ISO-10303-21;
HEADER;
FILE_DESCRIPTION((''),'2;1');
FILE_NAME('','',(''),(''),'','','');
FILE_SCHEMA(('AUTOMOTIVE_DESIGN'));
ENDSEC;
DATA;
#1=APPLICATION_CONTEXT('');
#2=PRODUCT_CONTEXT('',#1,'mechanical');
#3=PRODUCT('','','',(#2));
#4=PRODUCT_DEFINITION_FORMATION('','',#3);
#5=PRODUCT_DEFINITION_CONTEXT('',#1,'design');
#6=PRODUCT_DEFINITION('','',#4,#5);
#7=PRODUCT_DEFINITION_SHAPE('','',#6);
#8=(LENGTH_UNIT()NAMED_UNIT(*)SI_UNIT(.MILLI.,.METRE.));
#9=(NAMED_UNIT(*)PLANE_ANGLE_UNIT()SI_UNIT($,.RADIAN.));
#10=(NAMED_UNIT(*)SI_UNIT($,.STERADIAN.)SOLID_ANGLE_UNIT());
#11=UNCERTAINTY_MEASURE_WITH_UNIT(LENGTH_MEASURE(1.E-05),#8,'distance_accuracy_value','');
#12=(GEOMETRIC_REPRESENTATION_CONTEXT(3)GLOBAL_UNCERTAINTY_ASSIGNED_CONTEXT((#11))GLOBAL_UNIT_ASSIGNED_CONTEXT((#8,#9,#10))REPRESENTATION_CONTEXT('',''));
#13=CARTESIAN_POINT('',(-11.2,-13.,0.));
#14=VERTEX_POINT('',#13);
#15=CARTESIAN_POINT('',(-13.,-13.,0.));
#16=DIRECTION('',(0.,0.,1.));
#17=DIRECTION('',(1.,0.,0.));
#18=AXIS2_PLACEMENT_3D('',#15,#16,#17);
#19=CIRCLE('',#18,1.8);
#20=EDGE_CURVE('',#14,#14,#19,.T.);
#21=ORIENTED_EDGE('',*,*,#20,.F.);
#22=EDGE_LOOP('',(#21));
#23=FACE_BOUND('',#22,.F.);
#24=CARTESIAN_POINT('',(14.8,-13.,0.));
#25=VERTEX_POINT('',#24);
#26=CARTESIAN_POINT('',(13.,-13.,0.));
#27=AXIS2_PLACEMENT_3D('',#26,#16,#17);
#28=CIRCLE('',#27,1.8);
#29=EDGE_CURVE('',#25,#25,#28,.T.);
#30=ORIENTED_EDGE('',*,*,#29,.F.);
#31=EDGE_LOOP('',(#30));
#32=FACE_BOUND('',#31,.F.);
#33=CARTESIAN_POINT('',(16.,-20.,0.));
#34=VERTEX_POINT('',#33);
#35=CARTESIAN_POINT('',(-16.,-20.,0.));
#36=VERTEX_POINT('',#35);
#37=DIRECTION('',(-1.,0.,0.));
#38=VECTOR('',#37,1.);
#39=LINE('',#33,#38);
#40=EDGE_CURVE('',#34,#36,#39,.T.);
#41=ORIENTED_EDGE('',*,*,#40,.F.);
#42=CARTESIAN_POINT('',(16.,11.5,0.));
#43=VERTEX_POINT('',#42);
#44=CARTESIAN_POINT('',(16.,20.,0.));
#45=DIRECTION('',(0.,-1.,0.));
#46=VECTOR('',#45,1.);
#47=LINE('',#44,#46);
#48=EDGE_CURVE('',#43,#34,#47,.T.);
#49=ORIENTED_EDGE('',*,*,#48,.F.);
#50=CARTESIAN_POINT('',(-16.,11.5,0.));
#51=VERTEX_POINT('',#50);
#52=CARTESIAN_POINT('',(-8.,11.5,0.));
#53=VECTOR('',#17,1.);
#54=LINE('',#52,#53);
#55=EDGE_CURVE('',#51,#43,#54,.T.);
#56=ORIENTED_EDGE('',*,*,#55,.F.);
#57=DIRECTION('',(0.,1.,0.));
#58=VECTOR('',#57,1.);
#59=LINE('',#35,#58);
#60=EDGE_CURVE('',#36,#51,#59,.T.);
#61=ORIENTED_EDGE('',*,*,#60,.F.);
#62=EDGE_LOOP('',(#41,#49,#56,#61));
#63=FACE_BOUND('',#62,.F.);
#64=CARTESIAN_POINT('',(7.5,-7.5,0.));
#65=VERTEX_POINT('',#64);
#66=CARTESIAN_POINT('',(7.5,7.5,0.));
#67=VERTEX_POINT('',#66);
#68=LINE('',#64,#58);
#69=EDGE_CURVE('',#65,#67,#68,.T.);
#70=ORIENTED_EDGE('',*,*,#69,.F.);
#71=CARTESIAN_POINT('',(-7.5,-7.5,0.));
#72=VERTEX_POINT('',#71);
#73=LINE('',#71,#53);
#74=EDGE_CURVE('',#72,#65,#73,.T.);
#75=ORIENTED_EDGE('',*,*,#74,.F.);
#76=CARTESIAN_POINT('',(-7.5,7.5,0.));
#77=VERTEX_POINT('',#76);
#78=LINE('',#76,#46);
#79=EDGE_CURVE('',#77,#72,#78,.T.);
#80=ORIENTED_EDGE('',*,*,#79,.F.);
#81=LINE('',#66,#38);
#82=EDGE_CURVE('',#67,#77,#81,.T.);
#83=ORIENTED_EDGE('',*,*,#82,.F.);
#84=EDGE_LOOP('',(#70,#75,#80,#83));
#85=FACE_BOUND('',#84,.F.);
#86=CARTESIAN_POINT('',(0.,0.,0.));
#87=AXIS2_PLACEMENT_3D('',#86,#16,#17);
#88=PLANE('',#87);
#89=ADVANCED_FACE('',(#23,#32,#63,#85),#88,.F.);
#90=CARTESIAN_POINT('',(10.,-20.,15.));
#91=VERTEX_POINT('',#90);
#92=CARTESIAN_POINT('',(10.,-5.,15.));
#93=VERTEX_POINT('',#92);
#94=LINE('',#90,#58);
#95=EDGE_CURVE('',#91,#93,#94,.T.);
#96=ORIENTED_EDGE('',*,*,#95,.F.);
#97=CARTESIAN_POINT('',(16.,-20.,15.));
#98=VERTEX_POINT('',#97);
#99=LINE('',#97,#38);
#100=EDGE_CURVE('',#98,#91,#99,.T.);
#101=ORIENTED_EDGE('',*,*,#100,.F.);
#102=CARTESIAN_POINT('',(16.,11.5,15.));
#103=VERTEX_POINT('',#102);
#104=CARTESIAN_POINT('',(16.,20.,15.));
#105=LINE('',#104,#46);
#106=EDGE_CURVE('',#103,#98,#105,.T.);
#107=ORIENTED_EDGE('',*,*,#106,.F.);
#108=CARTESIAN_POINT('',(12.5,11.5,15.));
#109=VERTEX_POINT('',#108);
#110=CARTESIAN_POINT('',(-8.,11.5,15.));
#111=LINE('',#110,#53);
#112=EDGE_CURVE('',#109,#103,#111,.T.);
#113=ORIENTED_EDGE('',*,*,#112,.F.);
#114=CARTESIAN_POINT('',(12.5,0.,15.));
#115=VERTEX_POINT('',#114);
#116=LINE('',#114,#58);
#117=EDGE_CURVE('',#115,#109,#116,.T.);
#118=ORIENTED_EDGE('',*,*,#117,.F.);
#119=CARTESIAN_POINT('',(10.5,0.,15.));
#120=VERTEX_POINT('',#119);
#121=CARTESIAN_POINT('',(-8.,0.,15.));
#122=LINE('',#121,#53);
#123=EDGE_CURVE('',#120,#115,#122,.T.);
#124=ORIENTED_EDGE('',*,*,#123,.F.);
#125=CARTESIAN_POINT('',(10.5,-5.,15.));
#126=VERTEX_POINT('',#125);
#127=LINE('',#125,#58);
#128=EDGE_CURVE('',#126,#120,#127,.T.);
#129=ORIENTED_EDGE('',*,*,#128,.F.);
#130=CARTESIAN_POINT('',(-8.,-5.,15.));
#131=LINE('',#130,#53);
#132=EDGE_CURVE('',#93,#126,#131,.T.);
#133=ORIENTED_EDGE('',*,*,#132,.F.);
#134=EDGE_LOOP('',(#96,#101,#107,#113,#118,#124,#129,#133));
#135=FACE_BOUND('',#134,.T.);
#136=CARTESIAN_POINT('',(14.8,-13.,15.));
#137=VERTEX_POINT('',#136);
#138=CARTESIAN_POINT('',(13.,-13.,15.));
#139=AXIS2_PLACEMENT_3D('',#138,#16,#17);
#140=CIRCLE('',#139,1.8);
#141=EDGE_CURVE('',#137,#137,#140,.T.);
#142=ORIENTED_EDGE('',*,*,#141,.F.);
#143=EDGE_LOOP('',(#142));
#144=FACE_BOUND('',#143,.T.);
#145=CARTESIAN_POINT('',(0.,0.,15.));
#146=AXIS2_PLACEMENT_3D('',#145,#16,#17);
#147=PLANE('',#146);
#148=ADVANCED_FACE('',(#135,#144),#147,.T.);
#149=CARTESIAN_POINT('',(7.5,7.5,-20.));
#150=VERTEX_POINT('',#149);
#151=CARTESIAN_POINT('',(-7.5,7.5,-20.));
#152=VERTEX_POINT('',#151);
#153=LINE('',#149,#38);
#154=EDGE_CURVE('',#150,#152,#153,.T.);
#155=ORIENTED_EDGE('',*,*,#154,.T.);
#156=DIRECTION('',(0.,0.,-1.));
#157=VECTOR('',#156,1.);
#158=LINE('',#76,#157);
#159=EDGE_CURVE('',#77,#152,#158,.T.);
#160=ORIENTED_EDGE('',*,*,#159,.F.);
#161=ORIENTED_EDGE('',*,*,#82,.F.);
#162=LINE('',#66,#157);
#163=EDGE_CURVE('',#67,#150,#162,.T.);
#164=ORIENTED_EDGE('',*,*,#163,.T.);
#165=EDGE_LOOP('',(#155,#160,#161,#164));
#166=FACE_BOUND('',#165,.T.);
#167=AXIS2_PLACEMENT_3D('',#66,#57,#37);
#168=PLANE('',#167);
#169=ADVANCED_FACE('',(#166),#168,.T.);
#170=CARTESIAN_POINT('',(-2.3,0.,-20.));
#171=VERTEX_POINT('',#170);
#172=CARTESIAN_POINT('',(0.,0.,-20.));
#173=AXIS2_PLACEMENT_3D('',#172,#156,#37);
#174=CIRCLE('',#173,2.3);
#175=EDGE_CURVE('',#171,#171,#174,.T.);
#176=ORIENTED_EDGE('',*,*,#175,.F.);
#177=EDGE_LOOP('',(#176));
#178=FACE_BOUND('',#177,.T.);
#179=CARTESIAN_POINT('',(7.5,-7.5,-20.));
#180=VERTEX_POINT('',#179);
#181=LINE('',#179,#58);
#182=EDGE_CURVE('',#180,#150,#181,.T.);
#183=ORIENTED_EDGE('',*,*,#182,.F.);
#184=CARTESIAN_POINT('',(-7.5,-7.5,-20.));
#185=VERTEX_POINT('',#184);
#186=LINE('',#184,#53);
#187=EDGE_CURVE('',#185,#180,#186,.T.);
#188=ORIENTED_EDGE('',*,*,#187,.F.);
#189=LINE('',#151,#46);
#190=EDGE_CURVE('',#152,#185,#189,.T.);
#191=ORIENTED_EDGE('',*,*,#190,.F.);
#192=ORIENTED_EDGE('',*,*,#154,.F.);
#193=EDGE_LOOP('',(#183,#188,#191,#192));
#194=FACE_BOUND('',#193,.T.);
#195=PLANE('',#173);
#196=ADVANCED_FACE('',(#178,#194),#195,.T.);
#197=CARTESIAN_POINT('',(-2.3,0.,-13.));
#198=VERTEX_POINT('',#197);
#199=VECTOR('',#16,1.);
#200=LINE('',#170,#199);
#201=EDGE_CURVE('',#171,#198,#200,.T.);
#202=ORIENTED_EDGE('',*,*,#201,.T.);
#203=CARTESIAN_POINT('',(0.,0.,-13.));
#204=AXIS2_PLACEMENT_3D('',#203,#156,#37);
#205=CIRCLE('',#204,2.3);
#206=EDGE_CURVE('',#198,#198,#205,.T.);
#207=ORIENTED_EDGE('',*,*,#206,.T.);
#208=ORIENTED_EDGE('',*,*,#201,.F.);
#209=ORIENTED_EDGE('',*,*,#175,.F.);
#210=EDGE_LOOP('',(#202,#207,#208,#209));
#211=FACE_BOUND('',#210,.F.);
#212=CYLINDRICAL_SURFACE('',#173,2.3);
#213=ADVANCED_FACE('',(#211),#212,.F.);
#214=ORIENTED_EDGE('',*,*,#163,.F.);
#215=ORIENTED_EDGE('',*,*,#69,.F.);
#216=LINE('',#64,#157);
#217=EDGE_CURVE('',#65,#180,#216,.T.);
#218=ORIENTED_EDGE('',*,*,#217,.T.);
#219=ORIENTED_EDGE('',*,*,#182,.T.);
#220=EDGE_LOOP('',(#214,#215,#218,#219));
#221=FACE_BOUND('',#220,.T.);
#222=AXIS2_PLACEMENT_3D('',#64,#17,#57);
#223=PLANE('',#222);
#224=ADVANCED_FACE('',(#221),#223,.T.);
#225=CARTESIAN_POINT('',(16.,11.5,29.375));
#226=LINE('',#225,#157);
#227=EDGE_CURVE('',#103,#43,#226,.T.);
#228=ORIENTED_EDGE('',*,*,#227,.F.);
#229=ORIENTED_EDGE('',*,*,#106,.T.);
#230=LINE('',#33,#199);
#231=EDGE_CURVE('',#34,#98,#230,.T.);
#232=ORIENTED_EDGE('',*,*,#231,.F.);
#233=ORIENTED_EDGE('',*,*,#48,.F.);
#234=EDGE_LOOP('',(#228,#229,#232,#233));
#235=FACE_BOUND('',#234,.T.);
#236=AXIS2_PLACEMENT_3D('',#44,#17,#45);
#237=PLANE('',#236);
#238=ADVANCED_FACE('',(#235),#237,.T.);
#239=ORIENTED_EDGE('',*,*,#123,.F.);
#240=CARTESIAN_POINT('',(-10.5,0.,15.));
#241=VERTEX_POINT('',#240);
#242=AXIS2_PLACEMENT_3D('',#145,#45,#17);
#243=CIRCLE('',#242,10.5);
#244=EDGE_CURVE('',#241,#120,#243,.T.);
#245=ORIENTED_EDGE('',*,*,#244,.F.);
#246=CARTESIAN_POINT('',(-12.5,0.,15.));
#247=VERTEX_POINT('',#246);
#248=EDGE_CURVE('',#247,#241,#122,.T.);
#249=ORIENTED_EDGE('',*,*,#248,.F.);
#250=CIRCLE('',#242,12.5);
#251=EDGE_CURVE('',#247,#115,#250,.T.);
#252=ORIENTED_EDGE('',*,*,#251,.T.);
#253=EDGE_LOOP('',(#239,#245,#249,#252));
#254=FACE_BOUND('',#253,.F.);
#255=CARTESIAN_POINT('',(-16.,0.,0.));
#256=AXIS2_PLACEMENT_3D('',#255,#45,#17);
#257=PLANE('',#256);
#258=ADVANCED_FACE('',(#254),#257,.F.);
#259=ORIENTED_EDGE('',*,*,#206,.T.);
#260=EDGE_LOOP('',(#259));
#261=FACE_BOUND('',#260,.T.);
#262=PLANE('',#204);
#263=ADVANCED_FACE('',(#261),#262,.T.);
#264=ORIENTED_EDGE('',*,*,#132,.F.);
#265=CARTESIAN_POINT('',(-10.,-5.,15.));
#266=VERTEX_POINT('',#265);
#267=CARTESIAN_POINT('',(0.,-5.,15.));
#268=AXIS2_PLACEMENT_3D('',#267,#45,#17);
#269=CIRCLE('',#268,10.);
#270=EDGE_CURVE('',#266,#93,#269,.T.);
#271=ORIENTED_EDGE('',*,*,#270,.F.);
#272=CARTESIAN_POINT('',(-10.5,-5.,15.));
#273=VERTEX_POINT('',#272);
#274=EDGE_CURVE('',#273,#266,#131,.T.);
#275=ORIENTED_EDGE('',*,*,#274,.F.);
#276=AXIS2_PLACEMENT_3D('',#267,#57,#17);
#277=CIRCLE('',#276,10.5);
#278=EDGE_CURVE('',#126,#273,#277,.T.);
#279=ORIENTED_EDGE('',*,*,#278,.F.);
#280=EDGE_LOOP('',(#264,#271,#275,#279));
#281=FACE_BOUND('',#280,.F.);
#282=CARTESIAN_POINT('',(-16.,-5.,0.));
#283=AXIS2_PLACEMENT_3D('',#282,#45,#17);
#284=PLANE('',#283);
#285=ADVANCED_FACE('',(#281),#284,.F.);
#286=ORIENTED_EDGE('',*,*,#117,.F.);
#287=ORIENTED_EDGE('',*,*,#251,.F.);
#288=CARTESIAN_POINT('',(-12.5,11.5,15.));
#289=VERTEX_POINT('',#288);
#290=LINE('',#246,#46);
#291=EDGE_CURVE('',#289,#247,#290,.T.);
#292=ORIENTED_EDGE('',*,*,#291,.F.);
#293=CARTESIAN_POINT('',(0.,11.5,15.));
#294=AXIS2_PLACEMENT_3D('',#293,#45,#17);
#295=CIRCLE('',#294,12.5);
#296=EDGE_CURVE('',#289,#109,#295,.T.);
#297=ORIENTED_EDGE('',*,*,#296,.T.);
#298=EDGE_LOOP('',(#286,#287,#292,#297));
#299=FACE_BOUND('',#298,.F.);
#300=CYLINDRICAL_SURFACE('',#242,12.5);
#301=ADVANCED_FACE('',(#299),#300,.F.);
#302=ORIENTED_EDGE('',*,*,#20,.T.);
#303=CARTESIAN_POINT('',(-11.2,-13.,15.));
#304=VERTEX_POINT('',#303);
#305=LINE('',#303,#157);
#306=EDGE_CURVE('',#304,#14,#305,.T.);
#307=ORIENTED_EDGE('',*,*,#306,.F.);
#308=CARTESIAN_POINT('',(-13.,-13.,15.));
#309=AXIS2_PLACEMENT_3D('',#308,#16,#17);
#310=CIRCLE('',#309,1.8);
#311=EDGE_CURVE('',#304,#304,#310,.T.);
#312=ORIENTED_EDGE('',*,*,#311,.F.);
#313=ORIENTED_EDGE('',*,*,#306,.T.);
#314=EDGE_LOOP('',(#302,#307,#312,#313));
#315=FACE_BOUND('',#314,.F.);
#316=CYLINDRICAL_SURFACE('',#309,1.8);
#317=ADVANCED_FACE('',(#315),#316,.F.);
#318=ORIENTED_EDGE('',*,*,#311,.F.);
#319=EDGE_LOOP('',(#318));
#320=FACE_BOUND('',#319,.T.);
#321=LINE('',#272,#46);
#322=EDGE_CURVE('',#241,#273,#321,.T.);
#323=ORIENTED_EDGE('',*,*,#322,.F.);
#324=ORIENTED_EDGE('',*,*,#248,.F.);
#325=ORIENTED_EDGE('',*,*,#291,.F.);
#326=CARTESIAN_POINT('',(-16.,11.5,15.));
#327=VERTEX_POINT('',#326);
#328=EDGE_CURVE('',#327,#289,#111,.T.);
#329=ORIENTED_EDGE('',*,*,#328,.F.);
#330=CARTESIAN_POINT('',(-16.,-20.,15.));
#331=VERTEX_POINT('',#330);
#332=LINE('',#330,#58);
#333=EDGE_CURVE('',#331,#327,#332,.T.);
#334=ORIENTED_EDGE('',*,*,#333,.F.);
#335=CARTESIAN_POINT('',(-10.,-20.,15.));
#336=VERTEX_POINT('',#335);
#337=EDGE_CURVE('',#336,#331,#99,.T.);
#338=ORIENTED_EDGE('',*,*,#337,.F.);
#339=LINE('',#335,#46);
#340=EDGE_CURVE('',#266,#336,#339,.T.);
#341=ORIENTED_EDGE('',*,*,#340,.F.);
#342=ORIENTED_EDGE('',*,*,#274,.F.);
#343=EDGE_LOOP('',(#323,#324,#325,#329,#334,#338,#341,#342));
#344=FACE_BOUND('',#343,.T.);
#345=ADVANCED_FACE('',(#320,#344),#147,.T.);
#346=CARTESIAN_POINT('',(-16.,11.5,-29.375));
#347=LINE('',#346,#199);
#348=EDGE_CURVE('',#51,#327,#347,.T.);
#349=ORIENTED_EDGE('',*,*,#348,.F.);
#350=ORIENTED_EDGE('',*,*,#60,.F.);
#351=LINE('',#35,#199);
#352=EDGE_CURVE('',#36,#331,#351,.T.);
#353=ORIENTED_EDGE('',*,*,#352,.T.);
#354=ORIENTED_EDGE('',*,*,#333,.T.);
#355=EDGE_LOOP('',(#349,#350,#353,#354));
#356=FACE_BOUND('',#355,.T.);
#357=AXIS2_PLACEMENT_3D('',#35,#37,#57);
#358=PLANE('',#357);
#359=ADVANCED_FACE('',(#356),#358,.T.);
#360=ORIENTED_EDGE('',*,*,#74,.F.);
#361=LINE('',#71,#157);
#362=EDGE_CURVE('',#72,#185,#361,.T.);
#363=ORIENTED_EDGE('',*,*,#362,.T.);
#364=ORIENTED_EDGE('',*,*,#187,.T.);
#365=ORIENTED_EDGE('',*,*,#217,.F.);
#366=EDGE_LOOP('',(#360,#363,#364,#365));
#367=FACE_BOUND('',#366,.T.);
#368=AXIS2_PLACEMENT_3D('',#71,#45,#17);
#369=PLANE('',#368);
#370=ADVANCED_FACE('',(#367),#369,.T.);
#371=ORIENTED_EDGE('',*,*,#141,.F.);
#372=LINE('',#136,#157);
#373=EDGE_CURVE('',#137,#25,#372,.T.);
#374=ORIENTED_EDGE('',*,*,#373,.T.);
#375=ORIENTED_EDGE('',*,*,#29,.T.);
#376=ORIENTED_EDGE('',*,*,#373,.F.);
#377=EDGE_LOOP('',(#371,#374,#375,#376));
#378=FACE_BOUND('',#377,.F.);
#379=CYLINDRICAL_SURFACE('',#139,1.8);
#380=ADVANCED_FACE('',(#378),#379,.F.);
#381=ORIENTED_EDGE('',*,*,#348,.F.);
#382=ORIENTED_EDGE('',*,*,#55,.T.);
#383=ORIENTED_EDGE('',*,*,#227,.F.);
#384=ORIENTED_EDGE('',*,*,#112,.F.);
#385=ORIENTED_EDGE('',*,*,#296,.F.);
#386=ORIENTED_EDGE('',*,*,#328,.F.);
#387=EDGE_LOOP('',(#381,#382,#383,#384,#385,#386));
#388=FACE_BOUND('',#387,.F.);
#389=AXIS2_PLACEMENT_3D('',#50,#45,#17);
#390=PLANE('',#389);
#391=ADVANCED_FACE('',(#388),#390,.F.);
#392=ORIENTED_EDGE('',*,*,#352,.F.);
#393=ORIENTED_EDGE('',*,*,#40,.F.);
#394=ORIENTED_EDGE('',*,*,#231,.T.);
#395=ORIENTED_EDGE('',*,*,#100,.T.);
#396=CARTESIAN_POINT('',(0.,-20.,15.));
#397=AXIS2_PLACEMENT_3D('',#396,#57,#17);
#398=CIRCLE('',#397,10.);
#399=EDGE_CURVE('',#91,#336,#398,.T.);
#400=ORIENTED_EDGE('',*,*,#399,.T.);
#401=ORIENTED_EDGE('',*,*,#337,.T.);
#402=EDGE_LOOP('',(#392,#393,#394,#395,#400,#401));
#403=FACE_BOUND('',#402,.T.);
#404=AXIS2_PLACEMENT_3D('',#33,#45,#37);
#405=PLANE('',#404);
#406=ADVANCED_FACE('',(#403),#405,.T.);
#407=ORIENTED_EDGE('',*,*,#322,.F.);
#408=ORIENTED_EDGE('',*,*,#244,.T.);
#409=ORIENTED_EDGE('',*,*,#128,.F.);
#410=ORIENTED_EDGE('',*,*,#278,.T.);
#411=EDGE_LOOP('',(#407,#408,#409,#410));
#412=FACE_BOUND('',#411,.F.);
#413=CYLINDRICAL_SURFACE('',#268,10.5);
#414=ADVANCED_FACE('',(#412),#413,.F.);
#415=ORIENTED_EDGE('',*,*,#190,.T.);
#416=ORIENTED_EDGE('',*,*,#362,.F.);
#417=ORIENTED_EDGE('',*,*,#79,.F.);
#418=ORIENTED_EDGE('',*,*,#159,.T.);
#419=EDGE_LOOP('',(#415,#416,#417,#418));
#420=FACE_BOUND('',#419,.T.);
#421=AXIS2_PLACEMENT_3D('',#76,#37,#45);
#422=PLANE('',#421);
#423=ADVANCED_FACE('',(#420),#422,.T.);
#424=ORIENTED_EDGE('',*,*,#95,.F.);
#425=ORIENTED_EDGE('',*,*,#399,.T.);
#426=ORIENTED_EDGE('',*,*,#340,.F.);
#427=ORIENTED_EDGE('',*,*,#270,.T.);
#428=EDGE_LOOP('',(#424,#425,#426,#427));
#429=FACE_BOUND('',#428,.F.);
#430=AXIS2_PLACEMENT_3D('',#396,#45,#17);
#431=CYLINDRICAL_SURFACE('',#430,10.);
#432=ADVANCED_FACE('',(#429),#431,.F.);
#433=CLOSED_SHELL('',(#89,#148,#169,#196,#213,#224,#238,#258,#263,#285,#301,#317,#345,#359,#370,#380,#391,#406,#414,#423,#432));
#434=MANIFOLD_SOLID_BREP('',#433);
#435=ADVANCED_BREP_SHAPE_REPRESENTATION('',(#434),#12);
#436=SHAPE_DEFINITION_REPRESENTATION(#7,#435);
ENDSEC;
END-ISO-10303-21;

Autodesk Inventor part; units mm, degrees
ref_plane "YZ Plane" through (0, 0, 0) normal (1, 0, 0) x (0, 1, 0)
ref_plane "XZ Plane" through (0, 0, 0) normal (0, 1, 0) x (-1, 0, 0)
ref_plane "XY Plane" through (0, 0, 0) normal (0, 0, 1) x (1, 0, 0)
sketch "Skizze1" plane through (0, 0, 0) normal (0, 0, 1) x (1, 0, 0)
  line L0 (-16, 20) -> (16, 20)
  line L1 (16, 20) -> (16, -20)
  line L2 (16, -20) -> (-16, -20)
  line L3 (-16, -20) -> (-16, 20)
  line L4 (-16, 20) -> (16, -20) construction
  line L5 (16, 20) -> (-16, -20) construction
  point P0 (0, 0)
  dimension "d0" = 32
  dimension "d1" = 40
extrude "Extrusion1" add sketch "Skizze1" along normal blind 15
sketch "Skizze2" plane through (-16, -20, 0) normal (0, -1, 0) x (1, 0, 0)
  line L0 (0, 15) -> (32, 15) projected
  line L1 (0, 0) -> (0, 15) projected
  line L2 (32, 0) -> (0, 0) projected
  line L3 (32, 0) -> (32, 15) projected
  line L4 (32, 15) -> (0, 15) projected
  circle A0 centre (16, 15) radius 10
  point P0 (16, 0)
  dimension "d4" = 20
extrude "Extrusion2" cut sketch "Skizze2" against normal blind 15 contours A0 L0 | L0 A0
sketch "Skizze3" plane through (-16, -5, 0) normal (0, -1, 0) x (1, 0, 0)
  line L0 (0, 0) -> (0, 15) projected
  line L1 (32, 0) -> (0, 0) projected
  line L2 (32, 0) -> (32, 15) projected
  line L3 (26, 15) -> (32, 15) projected
  line L4 (0, 15) -> (6, 15) projected
  line L5 (6, 15) -> (26, 15) projected
  circle A0 centre (16, 15) radius 10.5
  point P0 (16, 0)
  dimension "d7" = 21
extrude "Extrusion3" cut sketch "Skizze3" against normal blind 5 contours A0 L3 L5 L4 | L4 L5 L3 A0
sketch "Skizze4" plane through (-16, 0, 0) normal (0, -1, 0) x (1, 0, 0)
  line L0 (5.5, 15) -> (26.5, 15) projected
  circle A0 centre (16, 15) radius 12.5
  point P0 (16, 0)
  dimension "d10" = 25
extrude "Extrusion4" cut sketch "Skizze4" against normal through all
sketch "Skizze5" plane through (0, 0, 15) normal (0, 0, 1) x (1, 0, 0)
  line L0 (-16, 20) -> (-16, -20) projected
  line L1 (-16, -20) -> (-10, -20) projected
  line L2 (-10, -20) -> (-10, -5) projected
  line L3 (10, -5) -> (10, -20) projected
  line L4 (10, -20) -> (16, -20) projected
  line L5 (16, -20) -> (16, 20) projected
  circle A0 centre (-13, -13) radius 1.8
  circle A1 centre (13, -13) radius 1.8
  point P0 (0, 0)
  dimension "d13" = 3.6
  dimension "d14" = 3.6
  dimension "d15" = 7
  dimension "d16" = 7
  dimension "d17" = 3
  dimension "d18" = 3
extrude "Extrusion5" cut sketch "Skizze5" against normal through all
sketch "Skizze6" plane through (0, 0, 0) normal (0, 0, -1) x (-1, 0, 0)
  line L0 (-7.5, 7.5) -> (7.5, 7.5)
  line L1 (7.5, 7.5) -> (7.5, -7.5)
  line L2 (7.5, -7.5) -> (-7.5, -7.5)
  line L3 (-7.5, -7.5) -> (-7.5, 7.5)
  line L4 (-7.5, 7.5) -> (7.5, -7.5) construction
  line L5 (7.5, 7.5) -> (-7.5, -7.5) construction
  point P0 (0, 0)
  dimension "d21" = 15
  dimension "d22" = 15
extrude "Extrusion6" add sketch "Skizze6" along normal blind 20
sketch "Skizze7" plane through (0, 0, -20) normal (0, 0, -1) x (-1, 0, 0)
  circle A0 centre (0, 0) radius 2.3
  dimension "d25" = 4.6
extrude "Extrusion7" cut sketch "Skizze7" against normal blind 7
sketch "Skizze8" plane through (0, 0, 0) normal (0, 0, -1) x (-1, 0, 0)
  line L0 (12.5, 20) -> (16, 20) projected
  line L1 (16, 20) -> (16, 11.5)
  line L2 (16, 20) -> (16, -20) projected
  line L3 (16, 11.5) -> (-16, 11.5)
  line L4 (-16, 20) -> (-16, -20) projected
  line L5 (16, 20) -> (-16, 20) projected
  line L6 (-16, 20) -> (16, 20)
  point P0 (0, 0)
  dimension "d28" = 8.5
extrude "Extrusion8" cut sketch "Skizze8" along normal mid plane 58.75
properties part number "unterteil"
